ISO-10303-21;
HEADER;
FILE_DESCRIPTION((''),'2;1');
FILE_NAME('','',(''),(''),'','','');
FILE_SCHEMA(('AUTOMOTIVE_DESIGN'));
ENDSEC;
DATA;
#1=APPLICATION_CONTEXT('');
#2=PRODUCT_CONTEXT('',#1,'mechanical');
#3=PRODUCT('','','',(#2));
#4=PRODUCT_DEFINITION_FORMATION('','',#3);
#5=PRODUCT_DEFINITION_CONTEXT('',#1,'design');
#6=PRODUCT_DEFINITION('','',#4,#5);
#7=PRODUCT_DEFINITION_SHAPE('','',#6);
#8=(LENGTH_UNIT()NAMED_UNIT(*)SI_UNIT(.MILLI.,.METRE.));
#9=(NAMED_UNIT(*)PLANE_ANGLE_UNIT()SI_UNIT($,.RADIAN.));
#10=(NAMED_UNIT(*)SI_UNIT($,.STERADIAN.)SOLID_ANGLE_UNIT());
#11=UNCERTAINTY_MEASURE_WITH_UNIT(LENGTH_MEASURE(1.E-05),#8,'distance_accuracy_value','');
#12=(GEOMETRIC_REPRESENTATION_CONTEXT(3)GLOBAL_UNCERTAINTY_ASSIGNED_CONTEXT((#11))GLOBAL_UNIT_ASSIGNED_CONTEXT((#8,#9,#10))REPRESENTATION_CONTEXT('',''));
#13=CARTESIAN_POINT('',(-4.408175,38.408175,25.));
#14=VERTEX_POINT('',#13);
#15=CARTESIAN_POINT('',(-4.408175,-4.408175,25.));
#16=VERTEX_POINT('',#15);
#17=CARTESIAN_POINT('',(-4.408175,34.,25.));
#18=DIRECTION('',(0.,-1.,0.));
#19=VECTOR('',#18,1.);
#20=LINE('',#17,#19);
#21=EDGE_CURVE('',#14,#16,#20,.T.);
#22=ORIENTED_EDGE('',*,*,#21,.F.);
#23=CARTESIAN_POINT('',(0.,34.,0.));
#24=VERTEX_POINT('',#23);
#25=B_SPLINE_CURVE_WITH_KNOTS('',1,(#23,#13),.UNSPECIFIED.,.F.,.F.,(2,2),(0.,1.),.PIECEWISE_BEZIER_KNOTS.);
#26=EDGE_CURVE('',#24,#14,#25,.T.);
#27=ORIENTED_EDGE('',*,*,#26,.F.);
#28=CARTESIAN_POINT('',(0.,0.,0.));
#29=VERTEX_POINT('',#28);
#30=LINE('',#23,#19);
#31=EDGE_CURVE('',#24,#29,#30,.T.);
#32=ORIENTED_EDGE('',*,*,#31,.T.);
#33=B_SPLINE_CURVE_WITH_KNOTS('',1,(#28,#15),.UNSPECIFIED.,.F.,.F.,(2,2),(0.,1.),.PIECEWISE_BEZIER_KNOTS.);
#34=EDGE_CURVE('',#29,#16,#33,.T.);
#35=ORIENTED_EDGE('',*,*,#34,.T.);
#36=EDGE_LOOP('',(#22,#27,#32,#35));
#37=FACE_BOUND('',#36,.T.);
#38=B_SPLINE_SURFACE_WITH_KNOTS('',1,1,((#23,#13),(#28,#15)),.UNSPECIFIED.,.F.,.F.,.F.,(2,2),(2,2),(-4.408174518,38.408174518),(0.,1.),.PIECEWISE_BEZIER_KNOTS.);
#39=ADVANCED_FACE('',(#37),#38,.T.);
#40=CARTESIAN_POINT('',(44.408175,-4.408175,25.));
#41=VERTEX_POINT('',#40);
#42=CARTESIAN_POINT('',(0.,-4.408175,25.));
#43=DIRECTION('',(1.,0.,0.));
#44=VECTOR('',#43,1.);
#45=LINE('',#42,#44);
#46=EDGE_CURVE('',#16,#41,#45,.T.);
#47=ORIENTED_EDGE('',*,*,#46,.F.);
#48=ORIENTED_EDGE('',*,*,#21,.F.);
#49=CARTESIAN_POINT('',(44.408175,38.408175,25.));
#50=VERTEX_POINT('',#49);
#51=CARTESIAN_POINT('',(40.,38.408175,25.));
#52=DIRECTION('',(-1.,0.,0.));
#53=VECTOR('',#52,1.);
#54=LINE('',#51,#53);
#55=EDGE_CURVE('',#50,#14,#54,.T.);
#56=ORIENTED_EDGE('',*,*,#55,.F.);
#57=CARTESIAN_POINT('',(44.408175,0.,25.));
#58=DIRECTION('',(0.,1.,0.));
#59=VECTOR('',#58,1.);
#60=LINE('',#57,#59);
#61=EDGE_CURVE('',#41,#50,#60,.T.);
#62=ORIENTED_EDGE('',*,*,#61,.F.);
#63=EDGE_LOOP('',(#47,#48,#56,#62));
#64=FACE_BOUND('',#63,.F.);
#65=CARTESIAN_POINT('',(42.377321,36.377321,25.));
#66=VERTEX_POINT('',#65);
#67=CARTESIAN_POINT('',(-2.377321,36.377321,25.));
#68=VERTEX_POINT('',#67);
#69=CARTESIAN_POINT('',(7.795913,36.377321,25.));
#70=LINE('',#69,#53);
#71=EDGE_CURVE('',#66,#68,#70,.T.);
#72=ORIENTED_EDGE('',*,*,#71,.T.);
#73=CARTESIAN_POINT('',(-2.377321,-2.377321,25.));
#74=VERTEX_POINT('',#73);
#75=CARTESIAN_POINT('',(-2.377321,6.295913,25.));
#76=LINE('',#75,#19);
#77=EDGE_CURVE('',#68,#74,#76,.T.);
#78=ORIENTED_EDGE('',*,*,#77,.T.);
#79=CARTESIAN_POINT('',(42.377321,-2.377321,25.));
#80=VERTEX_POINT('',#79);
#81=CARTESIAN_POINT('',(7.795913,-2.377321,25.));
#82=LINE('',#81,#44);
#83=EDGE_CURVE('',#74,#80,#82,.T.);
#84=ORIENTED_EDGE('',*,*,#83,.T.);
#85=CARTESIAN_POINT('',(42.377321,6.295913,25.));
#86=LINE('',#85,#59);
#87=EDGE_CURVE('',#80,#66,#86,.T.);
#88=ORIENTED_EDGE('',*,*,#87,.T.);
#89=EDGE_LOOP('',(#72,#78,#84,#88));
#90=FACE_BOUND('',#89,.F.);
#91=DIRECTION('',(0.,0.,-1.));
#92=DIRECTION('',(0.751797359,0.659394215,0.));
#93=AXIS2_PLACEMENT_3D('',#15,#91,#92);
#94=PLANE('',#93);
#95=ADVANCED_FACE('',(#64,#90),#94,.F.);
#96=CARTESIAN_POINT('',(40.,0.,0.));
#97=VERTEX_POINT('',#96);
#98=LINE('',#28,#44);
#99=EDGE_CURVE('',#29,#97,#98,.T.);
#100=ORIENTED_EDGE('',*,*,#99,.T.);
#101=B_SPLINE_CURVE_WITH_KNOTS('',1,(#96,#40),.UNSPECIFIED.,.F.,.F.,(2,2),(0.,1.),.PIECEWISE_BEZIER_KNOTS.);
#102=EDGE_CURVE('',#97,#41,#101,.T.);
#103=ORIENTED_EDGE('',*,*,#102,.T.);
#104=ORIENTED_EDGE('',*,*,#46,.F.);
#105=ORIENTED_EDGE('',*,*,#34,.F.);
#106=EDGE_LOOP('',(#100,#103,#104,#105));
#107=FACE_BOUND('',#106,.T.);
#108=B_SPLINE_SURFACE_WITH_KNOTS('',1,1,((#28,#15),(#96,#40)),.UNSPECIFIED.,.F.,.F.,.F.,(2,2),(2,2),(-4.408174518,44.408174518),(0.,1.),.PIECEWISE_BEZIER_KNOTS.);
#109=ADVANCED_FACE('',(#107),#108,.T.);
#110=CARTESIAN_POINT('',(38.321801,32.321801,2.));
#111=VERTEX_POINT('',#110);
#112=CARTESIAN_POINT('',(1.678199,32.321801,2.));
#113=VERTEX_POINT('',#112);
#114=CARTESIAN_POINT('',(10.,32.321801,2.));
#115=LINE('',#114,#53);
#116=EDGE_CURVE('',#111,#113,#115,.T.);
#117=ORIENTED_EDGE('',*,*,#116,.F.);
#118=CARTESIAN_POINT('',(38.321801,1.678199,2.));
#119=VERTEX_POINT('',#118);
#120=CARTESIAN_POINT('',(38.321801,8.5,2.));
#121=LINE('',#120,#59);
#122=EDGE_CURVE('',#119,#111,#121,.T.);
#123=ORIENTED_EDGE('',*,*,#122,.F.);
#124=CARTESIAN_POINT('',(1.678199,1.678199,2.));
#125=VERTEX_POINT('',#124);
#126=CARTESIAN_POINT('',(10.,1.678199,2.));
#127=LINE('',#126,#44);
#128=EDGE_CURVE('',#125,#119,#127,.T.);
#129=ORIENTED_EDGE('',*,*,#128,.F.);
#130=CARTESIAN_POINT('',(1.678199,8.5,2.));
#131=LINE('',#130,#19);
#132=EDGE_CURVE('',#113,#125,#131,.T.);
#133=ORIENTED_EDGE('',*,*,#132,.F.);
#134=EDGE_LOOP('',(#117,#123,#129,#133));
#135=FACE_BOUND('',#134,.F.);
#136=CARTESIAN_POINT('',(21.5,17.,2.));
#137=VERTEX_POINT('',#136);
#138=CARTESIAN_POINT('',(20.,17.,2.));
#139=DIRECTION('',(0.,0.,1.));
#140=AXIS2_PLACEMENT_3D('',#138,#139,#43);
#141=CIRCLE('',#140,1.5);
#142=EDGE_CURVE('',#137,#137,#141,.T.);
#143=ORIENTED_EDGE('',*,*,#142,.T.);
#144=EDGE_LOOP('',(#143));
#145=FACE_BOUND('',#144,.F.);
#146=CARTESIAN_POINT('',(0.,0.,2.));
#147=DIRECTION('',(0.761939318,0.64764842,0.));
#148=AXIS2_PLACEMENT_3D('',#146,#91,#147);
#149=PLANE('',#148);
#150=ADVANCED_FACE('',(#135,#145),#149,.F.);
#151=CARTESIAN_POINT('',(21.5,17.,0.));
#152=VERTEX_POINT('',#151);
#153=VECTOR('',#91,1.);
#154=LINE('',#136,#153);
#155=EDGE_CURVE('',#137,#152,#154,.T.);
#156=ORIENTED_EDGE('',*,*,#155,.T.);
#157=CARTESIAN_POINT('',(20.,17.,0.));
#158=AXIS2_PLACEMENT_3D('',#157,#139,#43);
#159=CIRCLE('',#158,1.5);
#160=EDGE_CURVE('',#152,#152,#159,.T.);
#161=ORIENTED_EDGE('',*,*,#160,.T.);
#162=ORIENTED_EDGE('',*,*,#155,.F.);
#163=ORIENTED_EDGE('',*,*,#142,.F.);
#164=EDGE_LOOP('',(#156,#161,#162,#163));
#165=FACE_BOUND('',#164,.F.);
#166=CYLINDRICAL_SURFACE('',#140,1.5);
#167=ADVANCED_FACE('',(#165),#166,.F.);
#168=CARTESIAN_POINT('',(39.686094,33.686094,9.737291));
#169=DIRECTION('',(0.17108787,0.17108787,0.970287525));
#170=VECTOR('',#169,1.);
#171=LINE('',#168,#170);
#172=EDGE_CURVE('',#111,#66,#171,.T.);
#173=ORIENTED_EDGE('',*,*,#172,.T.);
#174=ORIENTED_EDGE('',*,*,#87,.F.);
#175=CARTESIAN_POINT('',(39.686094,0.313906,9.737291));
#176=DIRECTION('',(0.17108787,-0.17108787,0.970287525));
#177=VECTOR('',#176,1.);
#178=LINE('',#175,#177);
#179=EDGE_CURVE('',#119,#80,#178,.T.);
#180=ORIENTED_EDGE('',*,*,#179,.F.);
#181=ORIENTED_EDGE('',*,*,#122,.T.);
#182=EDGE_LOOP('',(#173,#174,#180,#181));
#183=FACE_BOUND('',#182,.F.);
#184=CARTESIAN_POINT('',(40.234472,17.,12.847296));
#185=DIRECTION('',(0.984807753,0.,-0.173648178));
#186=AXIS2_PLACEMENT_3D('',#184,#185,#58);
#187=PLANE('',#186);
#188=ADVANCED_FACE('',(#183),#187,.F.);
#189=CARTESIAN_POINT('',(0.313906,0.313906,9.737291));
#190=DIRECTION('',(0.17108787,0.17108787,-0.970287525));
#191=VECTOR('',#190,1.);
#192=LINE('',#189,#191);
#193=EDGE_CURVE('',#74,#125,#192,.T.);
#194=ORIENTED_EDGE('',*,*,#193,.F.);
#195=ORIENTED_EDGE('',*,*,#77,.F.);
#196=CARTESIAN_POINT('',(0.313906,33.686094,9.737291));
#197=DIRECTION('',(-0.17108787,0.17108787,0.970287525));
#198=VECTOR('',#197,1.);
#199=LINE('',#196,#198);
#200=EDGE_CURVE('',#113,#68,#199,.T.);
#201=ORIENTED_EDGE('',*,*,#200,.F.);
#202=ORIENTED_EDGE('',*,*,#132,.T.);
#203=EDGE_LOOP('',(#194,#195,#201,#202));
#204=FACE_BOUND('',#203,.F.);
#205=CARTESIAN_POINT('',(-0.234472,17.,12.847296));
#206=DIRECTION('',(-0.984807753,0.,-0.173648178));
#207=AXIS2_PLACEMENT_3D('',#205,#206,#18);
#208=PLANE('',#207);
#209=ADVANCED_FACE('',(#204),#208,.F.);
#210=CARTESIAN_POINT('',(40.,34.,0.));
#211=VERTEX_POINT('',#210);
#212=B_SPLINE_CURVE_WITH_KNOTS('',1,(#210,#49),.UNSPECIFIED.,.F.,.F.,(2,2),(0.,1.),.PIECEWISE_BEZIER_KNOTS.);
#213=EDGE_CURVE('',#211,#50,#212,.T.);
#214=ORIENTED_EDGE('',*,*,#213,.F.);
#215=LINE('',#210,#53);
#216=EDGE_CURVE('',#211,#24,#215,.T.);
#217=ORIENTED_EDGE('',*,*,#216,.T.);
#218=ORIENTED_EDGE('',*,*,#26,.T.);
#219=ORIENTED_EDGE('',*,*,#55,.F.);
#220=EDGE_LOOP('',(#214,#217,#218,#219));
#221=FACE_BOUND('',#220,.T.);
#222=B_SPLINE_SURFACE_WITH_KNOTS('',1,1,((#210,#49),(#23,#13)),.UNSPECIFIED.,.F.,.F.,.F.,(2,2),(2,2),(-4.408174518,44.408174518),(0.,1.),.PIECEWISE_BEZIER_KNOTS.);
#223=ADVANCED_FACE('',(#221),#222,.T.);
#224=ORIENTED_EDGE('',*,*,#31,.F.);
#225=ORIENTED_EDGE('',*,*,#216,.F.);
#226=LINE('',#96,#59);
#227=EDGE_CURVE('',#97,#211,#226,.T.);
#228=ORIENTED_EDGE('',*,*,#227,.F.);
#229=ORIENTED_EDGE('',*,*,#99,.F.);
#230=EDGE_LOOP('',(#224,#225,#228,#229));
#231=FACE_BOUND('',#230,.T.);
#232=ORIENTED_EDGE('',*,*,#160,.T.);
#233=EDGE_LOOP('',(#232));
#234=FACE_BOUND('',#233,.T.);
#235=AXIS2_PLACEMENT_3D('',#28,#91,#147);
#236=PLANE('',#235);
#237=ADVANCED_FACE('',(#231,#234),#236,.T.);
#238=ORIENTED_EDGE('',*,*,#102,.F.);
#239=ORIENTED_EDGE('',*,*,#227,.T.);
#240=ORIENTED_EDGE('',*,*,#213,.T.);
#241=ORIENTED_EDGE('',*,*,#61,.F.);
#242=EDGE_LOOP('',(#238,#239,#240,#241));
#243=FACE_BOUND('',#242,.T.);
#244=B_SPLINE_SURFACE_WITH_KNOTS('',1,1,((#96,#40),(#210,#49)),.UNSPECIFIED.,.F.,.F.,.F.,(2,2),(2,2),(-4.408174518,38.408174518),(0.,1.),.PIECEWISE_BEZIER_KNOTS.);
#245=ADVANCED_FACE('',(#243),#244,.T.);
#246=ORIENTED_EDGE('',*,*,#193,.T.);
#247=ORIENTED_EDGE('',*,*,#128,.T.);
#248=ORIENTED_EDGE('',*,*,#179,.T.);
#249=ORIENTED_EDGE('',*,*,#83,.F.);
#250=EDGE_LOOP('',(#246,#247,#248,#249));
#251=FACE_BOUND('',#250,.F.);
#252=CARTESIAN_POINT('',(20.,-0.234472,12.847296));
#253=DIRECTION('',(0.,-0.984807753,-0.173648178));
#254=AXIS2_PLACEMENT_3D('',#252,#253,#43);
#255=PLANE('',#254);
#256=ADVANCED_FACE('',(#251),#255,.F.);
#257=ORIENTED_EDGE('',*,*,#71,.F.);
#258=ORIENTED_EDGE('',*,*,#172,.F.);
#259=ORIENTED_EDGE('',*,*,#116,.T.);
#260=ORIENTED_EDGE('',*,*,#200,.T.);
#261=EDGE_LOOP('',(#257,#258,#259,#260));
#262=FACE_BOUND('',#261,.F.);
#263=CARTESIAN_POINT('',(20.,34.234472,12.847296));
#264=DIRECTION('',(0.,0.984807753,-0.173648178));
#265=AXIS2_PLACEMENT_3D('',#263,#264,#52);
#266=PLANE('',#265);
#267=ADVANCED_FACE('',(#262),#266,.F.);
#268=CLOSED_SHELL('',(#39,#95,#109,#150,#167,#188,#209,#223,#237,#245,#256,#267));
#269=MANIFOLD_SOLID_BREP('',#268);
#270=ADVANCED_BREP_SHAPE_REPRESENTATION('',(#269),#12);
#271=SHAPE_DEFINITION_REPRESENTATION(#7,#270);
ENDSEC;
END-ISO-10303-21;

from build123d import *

# Parameters (mm, degrees)
F1_DEPTH = 25
F1_TAPER = -10
F2_T     = -2
F3_R     = 1.5
F4_DEPTH = 25


with BuildPart() as f1:
    # F0 (on Top) → F1 (new body)
    with BuildSketch(Plane.XY):
        Polygon((0, 13), (0, 0), (8, 0), (13, 0), (27, 0), (32, 0), (40, 0), (40, 13), (40, 21), (40, 34), (32, 34), (27, 34), (13, 34), (8, 34), (0, 34), (0, 21), align=None)
    extrude(amount=F1_DEPTH, taper=F1_TAPER)

    # F2
    f2_openings = [f1.faces().sort_by_distance(p)[0] for p in [
        (20, 17, 25),
    ]]
    offset(amount=F2_T, openings=f2_openings)

    # F3 (on face) → F4 (cut)
    with BuildSketch(Plane.XY.offset(2)):
        with Locations((20, 17)):
            Circle(F3_R)
    extrude(amount=-F4_DEPTH, mode=Mode.SUBTRACT)


solid = f1.part
